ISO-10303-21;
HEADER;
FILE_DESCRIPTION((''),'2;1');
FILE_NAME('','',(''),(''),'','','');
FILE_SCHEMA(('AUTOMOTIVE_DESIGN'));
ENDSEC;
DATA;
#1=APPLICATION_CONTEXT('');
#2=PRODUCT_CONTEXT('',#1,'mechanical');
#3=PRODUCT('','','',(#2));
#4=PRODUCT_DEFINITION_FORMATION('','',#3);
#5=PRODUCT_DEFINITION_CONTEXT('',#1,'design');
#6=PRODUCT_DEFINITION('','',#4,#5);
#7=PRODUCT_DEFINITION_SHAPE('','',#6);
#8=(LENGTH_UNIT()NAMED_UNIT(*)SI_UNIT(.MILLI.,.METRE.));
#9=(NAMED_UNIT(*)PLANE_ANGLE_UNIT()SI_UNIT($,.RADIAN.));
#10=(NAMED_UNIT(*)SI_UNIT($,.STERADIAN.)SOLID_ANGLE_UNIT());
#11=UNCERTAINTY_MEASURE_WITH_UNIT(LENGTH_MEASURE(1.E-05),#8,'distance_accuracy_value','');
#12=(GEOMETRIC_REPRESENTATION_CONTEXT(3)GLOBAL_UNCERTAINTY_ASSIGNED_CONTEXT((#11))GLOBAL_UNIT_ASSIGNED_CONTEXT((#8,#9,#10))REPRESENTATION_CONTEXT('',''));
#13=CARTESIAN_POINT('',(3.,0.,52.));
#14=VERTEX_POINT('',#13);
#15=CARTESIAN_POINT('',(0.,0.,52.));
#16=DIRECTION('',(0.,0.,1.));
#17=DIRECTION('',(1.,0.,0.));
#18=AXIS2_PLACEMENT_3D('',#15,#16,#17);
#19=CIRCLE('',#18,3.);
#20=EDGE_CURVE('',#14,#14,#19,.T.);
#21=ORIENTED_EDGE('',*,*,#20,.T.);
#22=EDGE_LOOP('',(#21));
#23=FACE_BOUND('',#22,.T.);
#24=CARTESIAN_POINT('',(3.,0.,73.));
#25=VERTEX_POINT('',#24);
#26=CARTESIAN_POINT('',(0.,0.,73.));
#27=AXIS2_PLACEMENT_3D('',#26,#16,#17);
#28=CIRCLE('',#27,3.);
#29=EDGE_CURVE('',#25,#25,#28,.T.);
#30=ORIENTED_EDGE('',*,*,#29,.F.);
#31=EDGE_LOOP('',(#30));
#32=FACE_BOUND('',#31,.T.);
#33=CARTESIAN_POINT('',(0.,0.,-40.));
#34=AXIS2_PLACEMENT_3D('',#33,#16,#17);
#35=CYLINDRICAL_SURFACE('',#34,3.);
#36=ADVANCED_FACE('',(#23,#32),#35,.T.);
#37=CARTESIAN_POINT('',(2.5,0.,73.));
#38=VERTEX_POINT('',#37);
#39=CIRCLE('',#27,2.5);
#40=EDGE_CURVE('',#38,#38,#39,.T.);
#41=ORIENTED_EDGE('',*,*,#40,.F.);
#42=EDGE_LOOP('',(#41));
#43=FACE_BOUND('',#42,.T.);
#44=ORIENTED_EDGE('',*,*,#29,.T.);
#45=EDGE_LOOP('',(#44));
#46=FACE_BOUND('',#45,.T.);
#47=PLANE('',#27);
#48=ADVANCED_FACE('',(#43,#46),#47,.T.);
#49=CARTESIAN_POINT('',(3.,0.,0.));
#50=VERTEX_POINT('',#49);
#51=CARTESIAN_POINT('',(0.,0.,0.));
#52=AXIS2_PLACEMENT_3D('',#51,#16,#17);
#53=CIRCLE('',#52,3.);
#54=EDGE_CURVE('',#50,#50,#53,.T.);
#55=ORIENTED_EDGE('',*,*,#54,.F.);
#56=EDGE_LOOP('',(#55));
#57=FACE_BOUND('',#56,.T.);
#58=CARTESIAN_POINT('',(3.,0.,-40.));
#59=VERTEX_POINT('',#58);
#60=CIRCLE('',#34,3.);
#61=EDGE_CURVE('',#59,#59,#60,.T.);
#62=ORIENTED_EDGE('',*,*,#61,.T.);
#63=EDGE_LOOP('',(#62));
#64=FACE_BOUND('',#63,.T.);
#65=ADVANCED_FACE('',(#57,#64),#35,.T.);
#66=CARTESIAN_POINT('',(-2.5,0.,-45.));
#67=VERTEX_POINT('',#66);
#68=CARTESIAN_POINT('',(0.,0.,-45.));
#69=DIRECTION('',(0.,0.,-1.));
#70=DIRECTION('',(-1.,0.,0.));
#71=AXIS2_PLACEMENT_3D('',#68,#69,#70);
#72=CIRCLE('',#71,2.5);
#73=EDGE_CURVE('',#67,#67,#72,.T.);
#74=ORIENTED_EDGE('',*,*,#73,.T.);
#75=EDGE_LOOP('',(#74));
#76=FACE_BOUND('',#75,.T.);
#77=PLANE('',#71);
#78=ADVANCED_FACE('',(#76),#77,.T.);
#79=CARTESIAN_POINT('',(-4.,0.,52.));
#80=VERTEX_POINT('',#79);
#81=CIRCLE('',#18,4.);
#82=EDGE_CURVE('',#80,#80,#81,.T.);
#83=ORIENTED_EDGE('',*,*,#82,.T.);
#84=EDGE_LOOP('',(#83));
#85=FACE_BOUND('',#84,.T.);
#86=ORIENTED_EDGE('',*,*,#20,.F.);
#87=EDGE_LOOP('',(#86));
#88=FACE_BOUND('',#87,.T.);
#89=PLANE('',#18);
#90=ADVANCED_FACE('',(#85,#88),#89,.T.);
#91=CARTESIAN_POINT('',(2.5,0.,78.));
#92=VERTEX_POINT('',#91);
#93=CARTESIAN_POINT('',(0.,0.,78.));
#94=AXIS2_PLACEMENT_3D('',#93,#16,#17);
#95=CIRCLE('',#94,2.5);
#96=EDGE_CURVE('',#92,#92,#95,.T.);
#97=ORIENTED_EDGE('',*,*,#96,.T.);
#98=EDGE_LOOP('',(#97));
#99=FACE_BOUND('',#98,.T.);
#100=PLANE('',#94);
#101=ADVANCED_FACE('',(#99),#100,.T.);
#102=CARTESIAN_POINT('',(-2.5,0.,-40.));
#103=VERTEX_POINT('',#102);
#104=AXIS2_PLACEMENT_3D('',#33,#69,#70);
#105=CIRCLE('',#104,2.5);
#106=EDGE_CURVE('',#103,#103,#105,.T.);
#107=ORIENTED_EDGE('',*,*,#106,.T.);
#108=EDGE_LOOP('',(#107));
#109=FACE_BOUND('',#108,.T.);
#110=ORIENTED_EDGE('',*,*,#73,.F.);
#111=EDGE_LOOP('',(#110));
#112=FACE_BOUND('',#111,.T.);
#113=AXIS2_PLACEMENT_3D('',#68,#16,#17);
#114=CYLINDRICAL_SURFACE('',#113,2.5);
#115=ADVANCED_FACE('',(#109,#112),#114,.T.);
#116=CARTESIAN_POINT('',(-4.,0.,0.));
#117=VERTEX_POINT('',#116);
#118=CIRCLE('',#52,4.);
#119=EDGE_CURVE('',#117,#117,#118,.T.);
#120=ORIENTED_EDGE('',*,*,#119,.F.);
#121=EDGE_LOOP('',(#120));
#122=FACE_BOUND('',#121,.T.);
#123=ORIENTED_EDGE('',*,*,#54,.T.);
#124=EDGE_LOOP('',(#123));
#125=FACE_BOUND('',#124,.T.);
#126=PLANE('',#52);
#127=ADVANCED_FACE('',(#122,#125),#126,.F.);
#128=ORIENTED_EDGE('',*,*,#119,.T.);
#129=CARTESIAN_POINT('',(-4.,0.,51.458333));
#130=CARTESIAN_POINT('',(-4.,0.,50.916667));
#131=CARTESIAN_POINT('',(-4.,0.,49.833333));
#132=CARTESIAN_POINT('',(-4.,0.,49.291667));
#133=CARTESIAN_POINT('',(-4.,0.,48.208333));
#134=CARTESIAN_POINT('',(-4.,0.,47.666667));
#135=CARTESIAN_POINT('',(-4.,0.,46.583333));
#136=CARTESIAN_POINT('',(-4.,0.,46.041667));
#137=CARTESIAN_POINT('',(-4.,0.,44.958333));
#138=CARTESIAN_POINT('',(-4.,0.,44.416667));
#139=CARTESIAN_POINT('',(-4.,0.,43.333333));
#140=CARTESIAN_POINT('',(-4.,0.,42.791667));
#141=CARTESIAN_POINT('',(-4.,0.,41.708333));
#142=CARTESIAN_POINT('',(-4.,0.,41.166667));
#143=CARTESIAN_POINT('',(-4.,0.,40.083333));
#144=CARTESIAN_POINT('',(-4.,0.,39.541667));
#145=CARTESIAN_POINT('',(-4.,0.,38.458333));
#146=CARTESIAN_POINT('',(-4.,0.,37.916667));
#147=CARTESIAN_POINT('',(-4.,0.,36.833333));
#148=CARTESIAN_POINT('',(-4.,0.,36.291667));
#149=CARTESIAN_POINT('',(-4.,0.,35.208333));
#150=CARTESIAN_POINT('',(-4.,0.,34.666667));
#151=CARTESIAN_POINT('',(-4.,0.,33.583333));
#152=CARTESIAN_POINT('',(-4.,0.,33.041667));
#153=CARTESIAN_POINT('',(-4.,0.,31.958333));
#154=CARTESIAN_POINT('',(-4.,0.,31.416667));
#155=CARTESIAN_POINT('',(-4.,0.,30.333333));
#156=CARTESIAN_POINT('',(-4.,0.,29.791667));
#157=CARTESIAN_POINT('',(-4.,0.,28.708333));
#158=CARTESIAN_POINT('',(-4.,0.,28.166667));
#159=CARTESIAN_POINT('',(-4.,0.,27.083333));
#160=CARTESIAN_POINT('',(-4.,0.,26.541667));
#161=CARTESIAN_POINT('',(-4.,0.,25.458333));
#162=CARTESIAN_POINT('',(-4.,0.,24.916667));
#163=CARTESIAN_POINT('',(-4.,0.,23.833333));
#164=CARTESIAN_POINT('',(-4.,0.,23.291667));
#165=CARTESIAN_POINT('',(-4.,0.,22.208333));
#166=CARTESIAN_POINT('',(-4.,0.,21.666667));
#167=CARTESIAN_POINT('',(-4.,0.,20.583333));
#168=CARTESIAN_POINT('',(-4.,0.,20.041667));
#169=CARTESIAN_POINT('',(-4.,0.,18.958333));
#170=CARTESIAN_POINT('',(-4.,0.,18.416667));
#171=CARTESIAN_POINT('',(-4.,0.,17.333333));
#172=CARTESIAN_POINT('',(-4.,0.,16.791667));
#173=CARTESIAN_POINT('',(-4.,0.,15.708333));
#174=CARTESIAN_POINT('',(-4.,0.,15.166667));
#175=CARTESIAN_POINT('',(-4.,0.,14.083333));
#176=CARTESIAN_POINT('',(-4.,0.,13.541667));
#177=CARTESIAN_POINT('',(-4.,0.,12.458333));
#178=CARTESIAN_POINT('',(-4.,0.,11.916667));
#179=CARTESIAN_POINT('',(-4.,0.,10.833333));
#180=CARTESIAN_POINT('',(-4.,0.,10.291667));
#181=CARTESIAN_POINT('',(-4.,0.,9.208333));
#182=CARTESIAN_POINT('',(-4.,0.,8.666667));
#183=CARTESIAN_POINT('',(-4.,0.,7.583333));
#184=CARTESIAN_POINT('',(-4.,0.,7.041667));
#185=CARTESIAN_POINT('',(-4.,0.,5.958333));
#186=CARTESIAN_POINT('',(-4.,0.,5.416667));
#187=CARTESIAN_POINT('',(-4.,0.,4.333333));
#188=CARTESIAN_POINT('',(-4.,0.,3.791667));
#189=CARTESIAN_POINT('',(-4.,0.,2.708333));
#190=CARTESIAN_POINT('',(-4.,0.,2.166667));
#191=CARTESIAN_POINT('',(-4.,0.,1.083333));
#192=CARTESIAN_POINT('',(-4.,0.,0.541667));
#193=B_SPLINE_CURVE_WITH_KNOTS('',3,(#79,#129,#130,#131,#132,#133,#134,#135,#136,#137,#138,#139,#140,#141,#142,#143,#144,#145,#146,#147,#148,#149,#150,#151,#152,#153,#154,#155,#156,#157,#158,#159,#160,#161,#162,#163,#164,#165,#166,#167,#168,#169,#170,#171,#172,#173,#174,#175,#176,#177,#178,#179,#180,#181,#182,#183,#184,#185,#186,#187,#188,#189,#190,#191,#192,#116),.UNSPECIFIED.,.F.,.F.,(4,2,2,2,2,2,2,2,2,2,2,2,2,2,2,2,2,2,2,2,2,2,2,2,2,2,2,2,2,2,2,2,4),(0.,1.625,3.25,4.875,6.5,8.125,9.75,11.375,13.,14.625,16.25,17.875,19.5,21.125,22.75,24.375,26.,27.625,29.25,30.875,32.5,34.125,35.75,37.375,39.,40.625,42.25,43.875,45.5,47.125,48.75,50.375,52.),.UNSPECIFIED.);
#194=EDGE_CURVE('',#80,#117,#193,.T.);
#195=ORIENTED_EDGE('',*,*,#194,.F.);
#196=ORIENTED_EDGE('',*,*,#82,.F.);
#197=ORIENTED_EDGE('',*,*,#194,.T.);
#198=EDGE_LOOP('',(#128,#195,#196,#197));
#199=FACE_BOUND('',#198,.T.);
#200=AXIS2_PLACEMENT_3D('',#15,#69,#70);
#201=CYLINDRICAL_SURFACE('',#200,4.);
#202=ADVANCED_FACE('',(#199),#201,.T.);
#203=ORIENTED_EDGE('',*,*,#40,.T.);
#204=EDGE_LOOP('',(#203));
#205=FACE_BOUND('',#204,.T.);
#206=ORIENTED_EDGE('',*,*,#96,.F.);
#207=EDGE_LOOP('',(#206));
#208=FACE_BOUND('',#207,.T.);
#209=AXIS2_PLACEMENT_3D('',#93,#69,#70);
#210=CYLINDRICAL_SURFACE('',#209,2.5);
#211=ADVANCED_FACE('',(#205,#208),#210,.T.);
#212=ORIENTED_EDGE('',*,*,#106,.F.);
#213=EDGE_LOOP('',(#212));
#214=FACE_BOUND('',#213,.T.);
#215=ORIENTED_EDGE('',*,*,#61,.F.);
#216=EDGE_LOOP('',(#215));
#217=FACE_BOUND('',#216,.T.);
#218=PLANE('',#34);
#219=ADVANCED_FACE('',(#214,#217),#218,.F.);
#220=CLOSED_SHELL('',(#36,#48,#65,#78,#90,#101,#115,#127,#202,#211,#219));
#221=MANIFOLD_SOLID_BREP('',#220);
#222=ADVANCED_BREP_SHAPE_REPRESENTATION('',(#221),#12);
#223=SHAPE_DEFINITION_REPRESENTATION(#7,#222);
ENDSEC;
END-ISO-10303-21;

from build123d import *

# Parameters (mm, degrees)
SKETCH_1_R           = 4
EXTRUDE_1_DEPTH      = 52
EXTRUDE_2_DEPTH      = 21
EXTRUDE_2_DEPTH_BACK = 92
SKETCH_2_R           = 3
SKETCH_3_R           = 2.5
EXTRUDE_3_DEPTH      = 5
EXTRUDE_START        = 5
SKETCH_4_R           = 2.5
EXTRUDE_4_DEPTH      = 5


with BuildPart() as part:
    # 草图1 → 凸台-拉伸1 (new body)
    with BuildSketch(Plane.XY):
        with Locations(Location((0, 0, 0), (0, 0, 180))):
            Circle(SKETCH_1_R)
    extrude(amount=EXTRUDE_1_DEPTH)

    # 草图2 → 凸台-拉伸2 (add, two sides: drawn at the far end of the back side and taken through both)
    with BuildSketch(Plane.XY.offset(52).offset(-EXTRUDE_2_DEPTH_BACK)):
        Circle(SKETCH_2_R)
    extrude(amount=EXTRUDE_2_DEPTH + EXTRUDE_2_DEPTH_BACK)

    # 草图3 → 凸台-拉伸3 (add)
    with BuildSketch(Plane(origin=(0, 0, -40), x_dir=(-1, 0, 0), z_dir=(0, 0, -1))):
        Circle(SKETCH_3_R)
    extrude(amount=EXTRUDE_3_DEPTH)

    # 草图4 → 凸台-拉伸4 (add)
    with BuildSketch(Plane.XY.offset(73).offset(EXTRUDE_START)):
        with Locations(Location((0, 0, 0), (0, 0, 180))):
            Circle(SKETCH_4_R)
    extrude(amount=-EXTRUDE_4_DEPTH)


solid = part.part
